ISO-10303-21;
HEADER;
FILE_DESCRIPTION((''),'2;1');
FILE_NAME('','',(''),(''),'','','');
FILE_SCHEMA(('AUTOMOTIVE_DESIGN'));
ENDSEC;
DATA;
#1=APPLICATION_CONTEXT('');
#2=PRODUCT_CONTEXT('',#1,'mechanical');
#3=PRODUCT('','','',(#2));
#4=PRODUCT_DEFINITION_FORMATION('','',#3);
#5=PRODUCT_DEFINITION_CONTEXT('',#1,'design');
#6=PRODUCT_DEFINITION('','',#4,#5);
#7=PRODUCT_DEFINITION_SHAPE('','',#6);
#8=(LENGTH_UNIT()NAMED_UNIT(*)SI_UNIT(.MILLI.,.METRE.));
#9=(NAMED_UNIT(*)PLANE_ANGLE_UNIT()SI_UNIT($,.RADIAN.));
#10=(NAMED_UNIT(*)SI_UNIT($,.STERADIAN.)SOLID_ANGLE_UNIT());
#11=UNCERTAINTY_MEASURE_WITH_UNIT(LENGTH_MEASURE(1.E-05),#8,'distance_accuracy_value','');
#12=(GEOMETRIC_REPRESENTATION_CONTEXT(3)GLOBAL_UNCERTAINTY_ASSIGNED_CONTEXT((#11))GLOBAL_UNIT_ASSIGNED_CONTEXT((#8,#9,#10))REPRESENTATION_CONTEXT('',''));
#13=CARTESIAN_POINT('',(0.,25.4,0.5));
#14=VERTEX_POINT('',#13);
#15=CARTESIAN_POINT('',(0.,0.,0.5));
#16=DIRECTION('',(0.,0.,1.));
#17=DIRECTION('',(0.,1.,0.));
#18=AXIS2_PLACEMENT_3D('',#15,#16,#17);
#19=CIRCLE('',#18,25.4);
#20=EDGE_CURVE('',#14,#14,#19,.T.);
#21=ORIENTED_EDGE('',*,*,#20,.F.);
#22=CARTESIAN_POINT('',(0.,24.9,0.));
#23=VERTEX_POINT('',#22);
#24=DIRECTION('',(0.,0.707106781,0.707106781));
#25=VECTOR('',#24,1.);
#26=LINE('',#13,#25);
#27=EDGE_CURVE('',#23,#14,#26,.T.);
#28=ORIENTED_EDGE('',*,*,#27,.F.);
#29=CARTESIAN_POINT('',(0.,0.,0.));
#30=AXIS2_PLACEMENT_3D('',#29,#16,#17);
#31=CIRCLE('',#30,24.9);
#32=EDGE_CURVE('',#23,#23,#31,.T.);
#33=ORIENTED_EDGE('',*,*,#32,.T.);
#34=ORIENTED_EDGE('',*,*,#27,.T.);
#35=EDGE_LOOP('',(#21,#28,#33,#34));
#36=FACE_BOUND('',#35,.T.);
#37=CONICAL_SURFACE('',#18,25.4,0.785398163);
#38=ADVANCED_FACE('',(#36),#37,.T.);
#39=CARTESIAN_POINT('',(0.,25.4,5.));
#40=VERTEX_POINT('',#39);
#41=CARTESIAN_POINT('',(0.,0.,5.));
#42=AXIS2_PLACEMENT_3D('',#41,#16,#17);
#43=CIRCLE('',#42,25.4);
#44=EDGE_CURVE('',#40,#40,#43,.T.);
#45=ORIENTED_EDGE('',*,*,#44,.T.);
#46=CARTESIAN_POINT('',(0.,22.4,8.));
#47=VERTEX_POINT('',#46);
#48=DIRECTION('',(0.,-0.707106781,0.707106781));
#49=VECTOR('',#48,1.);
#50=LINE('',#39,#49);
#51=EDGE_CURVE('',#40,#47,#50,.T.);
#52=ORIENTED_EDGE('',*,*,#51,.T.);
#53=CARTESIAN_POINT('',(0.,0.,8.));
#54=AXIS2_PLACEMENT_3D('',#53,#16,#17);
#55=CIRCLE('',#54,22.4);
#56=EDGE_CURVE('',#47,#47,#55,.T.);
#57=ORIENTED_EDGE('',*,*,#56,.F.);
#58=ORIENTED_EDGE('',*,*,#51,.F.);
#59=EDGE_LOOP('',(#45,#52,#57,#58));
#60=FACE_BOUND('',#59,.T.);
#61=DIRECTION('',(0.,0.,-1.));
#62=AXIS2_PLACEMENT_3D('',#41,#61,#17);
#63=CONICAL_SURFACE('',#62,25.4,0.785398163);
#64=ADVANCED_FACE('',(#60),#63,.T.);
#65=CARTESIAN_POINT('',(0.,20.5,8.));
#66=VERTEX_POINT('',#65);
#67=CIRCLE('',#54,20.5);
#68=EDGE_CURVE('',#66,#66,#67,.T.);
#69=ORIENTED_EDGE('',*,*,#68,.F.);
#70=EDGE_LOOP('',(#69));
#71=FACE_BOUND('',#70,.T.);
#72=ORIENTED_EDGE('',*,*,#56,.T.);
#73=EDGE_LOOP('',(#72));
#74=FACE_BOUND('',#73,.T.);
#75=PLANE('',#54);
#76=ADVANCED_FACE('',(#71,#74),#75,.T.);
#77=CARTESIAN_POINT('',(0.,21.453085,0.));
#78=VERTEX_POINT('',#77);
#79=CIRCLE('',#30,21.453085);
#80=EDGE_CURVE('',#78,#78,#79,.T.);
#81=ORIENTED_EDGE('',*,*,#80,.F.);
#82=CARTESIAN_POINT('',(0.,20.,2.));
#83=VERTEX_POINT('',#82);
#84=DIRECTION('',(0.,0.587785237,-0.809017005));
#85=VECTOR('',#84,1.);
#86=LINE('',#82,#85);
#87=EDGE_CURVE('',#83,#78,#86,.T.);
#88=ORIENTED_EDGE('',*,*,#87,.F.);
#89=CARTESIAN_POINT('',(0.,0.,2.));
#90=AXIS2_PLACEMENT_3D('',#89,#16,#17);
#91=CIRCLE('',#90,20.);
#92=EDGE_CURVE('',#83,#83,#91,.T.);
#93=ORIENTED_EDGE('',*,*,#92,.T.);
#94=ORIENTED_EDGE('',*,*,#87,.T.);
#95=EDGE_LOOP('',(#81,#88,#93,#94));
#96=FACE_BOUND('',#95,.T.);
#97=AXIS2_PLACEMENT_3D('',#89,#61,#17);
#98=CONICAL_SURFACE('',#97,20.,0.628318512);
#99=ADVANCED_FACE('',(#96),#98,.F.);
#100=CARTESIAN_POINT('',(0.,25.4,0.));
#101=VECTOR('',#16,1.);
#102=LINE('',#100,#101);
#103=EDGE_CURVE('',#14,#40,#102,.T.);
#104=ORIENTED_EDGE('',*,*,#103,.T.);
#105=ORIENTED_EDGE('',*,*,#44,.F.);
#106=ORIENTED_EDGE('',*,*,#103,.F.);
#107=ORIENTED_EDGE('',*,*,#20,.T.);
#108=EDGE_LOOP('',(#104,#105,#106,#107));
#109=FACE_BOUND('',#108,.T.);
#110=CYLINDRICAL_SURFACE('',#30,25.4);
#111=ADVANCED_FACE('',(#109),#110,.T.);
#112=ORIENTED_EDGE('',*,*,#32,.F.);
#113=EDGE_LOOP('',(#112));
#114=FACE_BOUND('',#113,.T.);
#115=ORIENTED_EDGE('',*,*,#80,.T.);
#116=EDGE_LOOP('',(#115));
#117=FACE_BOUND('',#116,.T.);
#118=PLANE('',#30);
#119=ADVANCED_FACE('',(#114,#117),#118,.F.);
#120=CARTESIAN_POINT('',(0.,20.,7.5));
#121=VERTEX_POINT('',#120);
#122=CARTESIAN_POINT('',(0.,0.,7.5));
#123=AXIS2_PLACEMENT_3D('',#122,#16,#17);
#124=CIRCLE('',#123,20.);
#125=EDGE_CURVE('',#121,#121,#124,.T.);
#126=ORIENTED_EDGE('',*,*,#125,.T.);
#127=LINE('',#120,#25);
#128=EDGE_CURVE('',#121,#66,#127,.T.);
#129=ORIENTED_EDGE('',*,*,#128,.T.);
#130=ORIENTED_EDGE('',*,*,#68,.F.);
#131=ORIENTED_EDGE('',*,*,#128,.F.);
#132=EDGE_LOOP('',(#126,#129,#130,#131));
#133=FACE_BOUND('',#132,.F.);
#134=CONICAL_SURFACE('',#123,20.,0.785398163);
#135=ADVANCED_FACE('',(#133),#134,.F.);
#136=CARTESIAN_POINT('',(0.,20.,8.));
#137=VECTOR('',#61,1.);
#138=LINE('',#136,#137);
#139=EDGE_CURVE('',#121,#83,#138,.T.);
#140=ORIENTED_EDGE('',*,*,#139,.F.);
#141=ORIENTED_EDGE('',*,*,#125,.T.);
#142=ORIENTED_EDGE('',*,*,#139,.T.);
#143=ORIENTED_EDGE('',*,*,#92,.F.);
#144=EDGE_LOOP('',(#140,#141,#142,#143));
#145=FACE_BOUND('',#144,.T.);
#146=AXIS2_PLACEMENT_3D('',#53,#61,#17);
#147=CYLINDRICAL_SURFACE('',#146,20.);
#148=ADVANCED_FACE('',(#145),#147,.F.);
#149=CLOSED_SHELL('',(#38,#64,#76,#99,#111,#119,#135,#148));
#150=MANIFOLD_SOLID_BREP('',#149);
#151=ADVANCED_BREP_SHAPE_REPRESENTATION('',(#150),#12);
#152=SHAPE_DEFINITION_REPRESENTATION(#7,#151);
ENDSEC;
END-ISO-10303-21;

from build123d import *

# Parameters (mm, degrees)
F2_SIZE = 0.5
F3_SIZE = 0.5


with BuildPart() as f1:
    # F0 (on Right) → F1 (revolve)
    with BuildSketch(Plane.YZ):
        Polygon((25.4, 5), (22.4, 8), (20, 8), (20, 2), (21.453085, 0), (25.4, 0), align=None)
    revolve(axis=Axis((0, 0, 20.029662), (0, 0, 1)))

    # F2
    f2_edges = [f1.edges().sort_by_distance(p)[0] for p in [
        (0, -25.4, 0),
    ]]
    chamfer(f2_edges, length=F2_SIZE)

    # F3
    f3_edges = [f1.edges().sort_by_distance(p)[0] for p in [
        (0, -20, 8),
    ]]
    chamfer(f3_edges, length=F3_SIZE)


solid = f1.part
